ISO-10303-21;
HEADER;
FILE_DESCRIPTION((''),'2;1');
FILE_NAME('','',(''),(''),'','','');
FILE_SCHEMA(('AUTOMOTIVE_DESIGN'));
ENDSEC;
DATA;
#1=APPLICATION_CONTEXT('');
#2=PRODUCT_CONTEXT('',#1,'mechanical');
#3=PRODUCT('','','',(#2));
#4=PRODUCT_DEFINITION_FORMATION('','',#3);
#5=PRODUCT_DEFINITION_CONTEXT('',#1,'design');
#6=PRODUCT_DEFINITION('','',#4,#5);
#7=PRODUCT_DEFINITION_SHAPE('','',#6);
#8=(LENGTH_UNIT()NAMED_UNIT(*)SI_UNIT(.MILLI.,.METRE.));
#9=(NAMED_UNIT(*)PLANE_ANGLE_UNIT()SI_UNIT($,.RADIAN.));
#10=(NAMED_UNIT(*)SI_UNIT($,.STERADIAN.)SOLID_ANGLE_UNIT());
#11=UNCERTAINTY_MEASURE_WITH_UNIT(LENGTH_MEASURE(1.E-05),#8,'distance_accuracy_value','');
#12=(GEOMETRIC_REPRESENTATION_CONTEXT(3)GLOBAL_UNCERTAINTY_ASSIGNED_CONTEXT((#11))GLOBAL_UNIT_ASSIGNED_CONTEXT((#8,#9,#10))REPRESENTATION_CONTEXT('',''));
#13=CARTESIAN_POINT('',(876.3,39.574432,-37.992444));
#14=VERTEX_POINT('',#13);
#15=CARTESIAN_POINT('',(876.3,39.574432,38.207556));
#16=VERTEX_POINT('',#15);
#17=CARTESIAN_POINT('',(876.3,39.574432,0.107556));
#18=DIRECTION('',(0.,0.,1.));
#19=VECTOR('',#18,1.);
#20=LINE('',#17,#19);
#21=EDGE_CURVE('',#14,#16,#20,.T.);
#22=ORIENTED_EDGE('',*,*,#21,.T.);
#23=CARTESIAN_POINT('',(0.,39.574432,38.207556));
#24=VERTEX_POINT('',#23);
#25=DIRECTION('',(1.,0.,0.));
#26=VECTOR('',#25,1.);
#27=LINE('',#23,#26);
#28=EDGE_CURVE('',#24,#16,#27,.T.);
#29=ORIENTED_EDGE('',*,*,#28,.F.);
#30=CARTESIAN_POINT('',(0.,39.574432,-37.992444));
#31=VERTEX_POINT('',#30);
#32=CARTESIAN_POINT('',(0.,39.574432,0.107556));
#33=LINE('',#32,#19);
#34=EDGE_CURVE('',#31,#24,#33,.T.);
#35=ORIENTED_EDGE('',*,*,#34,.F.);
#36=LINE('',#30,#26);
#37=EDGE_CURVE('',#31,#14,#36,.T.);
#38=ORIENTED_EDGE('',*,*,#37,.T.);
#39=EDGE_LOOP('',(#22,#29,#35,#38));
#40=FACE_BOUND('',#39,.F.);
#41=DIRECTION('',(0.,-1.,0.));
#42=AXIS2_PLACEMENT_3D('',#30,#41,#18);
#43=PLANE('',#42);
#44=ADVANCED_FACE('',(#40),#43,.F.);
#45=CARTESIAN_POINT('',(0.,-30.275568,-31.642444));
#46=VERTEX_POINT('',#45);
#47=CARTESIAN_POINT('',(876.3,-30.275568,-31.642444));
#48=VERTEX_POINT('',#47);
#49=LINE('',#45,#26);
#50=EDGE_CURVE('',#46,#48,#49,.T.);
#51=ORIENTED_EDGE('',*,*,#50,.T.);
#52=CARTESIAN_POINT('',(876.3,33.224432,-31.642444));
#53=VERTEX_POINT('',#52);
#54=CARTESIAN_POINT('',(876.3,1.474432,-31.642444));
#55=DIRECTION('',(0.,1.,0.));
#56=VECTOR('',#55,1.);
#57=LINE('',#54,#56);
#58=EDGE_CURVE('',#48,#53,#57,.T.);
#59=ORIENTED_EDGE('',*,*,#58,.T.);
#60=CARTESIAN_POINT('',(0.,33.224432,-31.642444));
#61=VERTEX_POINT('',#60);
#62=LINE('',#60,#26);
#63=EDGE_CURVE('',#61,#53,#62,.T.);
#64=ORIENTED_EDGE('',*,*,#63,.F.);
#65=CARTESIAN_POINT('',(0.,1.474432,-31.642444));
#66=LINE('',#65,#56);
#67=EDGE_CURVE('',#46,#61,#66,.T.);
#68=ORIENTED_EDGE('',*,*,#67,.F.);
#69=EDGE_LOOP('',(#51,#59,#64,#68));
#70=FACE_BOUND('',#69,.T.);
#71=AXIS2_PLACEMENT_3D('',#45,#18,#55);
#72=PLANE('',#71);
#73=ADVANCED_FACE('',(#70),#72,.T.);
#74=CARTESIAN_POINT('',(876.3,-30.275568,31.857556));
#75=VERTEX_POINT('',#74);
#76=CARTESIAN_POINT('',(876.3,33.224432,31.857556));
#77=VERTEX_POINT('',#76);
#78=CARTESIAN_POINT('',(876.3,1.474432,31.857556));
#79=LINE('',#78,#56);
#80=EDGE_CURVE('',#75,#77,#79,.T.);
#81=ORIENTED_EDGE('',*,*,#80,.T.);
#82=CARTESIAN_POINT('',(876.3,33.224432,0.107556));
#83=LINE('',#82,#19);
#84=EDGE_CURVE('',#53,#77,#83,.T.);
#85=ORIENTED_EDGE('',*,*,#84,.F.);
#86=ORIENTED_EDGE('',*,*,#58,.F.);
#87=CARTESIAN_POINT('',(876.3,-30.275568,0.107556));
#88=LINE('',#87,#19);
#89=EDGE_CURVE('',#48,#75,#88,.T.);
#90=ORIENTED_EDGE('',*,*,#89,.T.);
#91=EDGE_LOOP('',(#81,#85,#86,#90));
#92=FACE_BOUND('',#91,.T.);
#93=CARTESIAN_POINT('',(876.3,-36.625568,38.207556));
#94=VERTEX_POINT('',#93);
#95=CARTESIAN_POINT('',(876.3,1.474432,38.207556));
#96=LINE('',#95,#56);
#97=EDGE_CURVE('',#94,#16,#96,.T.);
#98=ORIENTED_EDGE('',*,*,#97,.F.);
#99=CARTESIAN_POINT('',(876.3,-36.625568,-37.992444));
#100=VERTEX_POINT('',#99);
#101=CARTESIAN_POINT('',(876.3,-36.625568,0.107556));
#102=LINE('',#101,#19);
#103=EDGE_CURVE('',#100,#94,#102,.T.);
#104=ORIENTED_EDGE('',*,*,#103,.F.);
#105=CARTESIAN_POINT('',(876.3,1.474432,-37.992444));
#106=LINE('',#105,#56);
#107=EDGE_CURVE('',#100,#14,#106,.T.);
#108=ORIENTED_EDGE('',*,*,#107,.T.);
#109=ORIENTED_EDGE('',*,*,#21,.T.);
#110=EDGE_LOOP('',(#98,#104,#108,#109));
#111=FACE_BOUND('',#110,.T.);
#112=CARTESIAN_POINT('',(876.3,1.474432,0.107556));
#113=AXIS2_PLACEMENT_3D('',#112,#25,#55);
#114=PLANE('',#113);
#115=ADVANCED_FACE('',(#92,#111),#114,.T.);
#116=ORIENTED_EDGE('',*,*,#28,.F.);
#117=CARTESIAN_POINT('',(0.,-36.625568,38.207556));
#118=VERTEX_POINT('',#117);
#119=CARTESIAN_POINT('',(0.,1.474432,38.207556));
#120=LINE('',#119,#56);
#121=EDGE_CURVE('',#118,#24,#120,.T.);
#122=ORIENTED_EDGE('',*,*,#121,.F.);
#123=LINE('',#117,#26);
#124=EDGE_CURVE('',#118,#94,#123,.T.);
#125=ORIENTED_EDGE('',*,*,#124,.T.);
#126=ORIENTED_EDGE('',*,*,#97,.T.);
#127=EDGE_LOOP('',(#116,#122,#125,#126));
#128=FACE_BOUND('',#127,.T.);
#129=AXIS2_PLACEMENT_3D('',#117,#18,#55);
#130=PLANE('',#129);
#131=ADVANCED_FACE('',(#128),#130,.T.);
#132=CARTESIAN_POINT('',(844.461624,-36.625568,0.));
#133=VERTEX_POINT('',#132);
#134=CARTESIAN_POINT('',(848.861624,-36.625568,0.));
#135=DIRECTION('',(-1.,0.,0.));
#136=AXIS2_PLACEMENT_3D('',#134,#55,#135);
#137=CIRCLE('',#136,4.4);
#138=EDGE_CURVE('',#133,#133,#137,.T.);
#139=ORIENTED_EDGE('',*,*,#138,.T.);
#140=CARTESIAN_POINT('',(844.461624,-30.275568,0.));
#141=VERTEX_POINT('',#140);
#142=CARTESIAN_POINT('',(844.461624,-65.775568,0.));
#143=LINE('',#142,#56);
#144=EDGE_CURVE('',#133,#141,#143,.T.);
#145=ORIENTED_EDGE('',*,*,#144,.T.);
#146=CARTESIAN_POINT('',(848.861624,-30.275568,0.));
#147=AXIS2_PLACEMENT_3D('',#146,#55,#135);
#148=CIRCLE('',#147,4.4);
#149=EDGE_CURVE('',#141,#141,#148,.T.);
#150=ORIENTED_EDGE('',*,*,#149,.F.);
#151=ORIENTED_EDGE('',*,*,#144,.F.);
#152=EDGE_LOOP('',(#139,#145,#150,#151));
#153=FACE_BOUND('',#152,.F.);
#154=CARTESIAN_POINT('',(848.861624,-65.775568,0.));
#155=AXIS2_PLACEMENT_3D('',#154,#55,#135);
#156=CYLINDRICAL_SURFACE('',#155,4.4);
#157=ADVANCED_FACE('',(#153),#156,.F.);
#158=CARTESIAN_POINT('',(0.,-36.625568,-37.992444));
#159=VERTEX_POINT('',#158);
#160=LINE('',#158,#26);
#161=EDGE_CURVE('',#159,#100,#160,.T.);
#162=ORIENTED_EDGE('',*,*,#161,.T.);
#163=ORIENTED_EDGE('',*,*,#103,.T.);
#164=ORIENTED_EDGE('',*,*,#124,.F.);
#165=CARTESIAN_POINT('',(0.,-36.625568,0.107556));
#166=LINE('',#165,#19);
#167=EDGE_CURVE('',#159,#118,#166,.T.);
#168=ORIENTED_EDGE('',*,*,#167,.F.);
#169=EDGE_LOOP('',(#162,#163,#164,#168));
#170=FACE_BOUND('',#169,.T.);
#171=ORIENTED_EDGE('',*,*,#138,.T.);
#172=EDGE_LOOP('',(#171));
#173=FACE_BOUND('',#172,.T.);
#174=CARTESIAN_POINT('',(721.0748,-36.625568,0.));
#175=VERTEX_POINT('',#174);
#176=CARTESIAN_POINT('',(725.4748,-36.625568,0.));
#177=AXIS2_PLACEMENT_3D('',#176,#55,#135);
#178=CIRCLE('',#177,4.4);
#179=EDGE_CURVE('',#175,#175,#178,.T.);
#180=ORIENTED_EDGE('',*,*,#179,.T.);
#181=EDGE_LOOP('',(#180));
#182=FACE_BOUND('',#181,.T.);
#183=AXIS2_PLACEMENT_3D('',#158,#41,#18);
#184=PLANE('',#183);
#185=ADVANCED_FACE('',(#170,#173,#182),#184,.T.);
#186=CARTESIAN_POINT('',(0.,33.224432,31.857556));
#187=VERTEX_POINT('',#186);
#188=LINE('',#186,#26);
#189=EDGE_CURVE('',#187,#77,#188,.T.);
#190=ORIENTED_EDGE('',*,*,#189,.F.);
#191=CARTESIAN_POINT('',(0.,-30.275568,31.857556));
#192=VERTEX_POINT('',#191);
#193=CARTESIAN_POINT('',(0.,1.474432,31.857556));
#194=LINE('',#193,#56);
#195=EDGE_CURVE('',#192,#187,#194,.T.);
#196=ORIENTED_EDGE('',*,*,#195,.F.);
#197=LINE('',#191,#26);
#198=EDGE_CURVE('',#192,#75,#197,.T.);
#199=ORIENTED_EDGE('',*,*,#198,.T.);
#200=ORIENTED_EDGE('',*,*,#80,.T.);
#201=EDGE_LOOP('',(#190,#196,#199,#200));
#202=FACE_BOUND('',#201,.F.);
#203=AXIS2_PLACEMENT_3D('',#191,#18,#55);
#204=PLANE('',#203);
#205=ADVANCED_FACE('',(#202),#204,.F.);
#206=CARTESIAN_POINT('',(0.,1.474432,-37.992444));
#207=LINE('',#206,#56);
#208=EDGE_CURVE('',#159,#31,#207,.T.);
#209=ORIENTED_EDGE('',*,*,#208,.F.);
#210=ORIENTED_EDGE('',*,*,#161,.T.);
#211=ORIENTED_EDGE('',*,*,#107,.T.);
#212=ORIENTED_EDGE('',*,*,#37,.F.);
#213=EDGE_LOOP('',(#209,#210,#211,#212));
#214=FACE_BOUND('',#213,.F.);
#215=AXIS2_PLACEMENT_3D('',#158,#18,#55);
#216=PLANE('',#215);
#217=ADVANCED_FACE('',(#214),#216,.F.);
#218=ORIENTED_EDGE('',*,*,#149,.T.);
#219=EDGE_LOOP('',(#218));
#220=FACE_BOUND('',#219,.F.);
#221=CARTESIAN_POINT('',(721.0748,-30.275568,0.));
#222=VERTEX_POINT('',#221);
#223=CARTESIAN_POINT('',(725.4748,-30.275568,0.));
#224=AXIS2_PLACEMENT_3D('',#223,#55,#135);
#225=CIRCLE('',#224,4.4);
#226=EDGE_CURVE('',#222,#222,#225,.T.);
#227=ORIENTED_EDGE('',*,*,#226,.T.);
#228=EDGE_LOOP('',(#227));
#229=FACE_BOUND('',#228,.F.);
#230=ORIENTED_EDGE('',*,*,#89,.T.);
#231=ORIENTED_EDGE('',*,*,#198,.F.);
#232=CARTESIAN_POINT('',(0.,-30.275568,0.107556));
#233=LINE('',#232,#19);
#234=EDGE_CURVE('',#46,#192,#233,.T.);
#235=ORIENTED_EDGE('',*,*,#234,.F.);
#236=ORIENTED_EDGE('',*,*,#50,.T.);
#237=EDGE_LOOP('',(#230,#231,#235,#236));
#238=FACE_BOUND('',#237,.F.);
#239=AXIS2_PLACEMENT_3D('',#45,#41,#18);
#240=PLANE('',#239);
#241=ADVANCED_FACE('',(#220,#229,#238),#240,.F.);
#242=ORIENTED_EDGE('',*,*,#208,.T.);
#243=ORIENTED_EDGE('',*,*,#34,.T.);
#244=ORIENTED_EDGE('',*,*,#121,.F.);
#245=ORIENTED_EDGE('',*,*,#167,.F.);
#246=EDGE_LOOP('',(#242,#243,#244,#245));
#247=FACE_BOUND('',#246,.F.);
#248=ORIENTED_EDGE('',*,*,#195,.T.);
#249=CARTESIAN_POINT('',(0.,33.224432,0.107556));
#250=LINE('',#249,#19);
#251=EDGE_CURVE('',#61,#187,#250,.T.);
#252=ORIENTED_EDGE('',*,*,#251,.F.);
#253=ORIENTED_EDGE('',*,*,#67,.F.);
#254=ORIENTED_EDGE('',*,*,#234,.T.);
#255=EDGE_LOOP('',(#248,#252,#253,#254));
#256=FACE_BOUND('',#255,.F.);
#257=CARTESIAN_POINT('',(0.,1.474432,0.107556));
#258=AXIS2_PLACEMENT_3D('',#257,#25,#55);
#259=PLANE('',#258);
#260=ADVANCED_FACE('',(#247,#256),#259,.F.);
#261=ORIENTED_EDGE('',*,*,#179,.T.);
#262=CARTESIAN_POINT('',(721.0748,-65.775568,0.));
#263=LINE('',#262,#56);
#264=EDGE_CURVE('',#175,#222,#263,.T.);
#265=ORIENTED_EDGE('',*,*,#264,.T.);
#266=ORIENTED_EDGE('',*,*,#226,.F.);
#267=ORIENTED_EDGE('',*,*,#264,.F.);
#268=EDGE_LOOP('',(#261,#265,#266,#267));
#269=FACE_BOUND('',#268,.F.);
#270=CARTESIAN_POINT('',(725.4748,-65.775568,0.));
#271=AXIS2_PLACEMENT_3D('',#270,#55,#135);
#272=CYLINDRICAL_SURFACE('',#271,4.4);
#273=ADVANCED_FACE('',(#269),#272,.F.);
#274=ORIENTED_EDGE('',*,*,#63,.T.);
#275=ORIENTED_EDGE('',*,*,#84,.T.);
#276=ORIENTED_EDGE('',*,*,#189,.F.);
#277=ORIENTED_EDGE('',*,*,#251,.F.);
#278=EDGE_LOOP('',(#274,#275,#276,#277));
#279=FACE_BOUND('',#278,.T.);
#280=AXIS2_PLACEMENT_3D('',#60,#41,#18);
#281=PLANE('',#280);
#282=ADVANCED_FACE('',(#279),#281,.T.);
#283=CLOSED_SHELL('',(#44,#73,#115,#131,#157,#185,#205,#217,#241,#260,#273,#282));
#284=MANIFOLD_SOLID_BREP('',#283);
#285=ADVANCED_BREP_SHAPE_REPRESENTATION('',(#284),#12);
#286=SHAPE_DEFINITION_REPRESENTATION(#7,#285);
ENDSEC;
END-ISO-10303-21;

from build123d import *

# Parameters (mm, degrees)
F0_W     = 76.2
F0_H     = 76.2
F0_W_2   = 63.5
F0_H_2   = 63.5
F1_DEPTH = 876.3
F4_D     = 8.8
F4_DEPTH = 29.15
F4_TIP   = 2.6437867237


with BuildPart() as f1:
    # F0 (on Right) → F1 (new body)
    with BuildSketch(Plane.YZ):
        with Locations((1.4744321764, 0.1075561106)):
            Rectangle(F0_W, F0_H)
        with Locations((1.4744321764, 0.1075561106)):
            Rectangle(F0_W_2, F0_H_2, mode=Mode.SUBTRACT)
    extrude(amount=F1_DEPTH)

    # F4
    with Locations(Plane.XZ.offset(36.6255678236)):
        with Locations((848.8616235588, 0), (725.4748, 0)):
            Hole(F4_D / 2, depth=F4_DEPTH)
            with Locations((0, 0, -(F4_DEPTH + F4_TIP / 2))):  # 118° drill point
                Cone(0, F4_D / 2, F4_TIP, mode=Mode.SUBTRACT)


solid = f1.part
